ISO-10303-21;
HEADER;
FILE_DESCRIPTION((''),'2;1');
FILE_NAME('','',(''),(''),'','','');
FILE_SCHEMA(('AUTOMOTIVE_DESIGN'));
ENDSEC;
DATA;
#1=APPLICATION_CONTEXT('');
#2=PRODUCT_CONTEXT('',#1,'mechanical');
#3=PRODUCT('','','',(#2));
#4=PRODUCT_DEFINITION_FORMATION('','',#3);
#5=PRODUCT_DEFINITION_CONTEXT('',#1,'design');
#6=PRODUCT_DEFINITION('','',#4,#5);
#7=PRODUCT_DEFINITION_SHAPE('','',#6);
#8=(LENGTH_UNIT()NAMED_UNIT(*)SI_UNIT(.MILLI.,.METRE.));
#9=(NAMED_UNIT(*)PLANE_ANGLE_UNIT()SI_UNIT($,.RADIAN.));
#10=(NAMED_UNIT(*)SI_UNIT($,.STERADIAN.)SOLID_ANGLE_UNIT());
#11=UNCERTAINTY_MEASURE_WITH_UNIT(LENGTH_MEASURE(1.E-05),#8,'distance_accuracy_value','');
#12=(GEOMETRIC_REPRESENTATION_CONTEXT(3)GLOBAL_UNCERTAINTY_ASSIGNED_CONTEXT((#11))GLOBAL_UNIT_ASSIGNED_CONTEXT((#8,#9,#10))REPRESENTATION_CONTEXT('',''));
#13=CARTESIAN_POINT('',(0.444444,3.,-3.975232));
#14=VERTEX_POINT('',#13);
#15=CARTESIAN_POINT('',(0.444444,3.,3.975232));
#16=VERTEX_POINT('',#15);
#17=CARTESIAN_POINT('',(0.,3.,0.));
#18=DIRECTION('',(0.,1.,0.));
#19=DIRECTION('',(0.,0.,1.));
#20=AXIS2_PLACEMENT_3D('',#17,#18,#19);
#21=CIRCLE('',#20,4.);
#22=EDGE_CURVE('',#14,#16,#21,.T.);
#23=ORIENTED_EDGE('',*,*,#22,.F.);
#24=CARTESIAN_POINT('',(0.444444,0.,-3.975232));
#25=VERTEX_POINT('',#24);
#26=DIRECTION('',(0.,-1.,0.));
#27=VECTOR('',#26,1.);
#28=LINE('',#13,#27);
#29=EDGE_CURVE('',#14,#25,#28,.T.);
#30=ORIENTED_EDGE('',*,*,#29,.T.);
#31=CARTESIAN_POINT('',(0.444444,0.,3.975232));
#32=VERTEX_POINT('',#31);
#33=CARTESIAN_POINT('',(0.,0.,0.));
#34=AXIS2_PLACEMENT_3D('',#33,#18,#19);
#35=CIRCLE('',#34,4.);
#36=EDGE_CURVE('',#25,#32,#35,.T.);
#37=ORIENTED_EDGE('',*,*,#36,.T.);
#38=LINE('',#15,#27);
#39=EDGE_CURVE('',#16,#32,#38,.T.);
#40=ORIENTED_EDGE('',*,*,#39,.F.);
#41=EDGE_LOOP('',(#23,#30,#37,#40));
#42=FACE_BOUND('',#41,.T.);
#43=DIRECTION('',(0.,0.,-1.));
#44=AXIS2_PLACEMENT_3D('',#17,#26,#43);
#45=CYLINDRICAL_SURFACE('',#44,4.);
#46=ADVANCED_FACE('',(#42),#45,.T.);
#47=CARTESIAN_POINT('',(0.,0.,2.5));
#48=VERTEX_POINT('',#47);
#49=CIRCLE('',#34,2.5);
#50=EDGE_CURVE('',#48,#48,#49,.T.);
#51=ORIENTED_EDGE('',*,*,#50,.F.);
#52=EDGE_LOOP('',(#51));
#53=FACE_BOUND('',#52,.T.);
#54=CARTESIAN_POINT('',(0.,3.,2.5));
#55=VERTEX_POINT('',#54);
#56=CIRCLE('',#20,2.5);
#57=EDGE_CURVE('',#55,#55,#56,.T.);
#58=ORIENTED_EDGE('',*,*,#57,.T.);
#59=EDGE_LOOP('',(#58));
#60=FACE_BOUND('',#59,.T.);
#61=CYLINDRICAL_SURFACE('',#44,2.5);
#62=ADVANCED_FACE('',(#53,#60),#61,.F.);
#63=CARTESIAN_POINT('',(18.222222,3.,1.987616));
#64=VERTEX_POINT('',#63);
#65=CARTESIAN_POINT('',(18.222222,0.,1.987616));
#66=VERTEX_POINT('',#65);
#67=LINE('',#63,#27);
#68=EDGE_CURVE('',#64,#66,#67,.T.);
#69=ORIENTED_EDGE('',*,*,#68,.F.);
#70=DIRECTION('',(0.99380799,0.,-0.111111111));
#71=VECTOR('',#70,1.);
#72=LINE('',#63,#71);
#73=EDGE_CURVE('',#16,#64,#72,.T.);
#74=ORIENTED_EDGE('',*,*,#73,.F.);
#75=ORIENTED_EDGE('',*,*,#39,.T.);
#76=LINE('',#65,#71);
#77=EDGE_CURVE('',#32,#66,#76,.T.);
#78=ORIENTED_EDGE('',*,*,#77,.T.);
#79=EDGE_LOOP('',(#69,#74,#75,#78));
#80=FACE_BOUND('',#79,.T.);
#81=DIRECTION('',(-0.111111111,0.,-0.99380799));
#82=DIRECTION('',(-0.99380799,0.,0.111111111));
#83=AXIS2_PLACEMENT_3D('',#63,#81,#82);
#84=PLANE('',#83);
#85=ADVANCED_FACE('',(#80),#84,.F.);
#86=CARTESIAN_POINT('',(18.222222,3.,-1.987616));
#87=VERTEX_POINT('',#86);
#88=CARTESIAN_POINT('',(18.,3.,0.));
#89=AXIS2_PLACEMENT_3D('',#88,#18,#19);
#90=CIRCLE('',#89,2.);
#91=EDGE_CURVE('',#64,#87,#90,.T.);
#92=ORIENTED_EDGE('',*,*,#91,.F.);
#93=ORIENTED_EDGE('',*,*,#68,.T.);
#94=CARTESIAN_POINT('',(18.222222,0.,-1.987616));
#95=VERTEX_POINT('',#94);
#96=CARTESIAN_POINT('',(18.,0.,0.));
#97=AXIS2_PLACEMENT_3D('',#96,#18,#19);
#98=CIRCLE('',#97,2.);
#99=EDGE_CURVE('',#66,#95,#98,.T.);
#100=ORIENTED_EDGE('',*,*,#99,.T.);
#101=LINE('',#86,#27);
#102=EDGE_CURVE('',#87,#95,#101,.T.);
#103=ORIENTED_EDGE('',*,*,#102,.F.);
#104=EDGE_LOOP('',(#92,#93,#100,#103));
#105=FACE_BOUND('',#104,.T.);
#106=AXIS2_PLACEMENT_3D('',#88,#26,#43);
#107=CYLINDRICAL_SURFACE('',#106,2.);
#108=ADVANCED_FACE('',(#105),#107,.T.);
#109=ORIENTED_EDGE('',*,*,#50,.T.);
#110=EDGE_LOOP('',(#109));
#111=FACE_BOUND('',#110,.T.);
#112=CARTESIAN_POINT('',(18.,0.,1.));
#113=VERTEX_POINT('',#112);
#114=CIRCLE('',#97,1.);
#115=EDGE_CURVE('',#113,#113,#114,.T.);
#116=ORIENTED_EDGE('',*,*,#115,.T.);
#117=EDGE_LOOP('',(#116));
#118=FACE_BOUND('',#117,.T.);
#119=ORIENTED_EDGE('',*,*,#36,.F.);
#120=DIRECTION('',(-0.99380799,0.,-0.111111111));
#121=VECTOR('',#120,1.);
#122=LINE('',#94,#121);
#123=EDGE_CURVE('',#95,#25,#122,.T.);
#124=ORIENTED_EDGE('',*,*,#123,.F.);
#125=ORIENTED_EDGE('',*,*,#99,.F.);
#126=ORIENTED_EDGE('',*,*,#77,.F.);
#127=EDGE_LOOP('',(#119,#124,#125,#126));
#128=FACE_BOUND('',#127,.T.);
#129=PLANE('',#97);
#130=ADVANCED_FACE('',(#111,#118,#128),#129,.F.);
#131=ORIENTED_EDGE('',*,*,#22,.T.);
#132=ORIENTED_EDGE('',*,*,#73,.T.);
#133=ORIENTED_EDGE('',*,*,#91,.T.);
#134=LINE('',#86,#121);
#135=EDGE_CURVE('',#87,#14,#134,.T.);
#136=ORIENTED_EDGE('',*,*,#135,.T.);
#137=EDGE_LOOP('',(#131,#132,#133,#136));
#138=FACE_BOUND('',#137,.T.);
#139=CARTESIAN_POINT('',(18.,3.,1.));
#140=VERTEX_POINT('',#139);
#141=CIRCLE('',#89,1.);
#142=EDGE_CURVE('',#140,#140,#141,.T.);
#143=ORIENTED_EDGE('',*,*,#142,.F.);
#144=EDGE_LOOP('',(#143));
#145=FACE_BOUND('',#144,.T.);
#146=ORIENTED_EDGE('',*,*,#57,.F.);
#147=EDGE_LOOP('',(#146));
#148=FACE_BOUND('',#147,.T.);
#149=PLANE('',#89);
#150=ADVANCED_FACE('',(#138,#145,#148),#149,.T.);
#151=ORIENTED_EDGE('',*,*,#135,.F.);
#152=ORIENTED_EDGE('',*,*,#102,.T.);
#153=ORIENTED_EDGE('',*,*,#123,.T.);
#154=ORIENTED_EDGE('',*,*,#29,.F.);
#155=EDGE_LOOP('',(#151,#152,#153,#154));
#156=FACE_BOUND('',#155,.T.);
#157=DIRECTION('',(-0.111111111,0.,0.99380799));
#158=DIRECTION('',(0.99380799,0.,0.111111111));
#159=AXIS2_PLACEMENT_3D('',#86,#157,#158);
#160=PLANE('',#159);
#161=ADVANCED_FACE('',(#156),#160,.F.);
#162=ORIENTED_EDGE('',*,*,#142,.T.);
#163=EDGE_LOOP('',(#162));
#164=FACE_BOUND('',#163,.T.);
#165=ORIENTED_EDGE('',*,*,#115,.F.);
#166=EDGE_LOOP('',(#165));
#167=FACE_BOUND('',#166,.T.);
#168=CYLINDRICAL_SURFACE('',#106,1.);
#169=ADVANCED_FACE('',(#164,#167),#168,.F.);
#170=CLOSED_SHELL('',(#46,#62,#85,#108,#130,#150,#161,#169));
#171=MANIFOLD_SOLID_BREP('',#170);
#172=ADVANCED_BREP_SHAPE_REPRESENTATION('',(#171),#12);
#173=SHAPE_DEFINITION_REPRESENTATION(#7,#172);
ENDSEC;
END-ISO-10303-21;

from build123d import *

# Parameters (mm, degrees)
SKETCH_1_R      = 2.5
SKETCH_1_R_2    = 1
EXTRUDE_1_DEPTH = 3


with BuildPart() as part:
    # 草图1 → 凸台-拉伸1 (new body)
    with BuildSketch(Plane(origin=(0, 0, 0), x_dir=(1, 0, 0), z_dir=(0, 1, 0))):
        with BuildLine():
            Line((18.222222222, 1.98761598), (0.444444444, 3.97523196))
            ThreePointArc((0.444444444, 3.97523196), (-4, 0), (0.444444444, -3.97523196))
            Line((0.444444444, -3.97523196), (18.222222222, -1.98761598))
            ThreePointArc((18.222222222, -1.98761598), (20, 0), (18.222222222, 1.98761598))
        make_face()
        Circle(SKETCH_1_R, mode=Mode.SUBTRACT)
        with Locations((18, 0)):
            Circle(SKETCH_1_R_2, mode=Mode.SUBTRACT)
    extrude(amount=EXTRUDE_1_DEPTH)


solid = part.part
